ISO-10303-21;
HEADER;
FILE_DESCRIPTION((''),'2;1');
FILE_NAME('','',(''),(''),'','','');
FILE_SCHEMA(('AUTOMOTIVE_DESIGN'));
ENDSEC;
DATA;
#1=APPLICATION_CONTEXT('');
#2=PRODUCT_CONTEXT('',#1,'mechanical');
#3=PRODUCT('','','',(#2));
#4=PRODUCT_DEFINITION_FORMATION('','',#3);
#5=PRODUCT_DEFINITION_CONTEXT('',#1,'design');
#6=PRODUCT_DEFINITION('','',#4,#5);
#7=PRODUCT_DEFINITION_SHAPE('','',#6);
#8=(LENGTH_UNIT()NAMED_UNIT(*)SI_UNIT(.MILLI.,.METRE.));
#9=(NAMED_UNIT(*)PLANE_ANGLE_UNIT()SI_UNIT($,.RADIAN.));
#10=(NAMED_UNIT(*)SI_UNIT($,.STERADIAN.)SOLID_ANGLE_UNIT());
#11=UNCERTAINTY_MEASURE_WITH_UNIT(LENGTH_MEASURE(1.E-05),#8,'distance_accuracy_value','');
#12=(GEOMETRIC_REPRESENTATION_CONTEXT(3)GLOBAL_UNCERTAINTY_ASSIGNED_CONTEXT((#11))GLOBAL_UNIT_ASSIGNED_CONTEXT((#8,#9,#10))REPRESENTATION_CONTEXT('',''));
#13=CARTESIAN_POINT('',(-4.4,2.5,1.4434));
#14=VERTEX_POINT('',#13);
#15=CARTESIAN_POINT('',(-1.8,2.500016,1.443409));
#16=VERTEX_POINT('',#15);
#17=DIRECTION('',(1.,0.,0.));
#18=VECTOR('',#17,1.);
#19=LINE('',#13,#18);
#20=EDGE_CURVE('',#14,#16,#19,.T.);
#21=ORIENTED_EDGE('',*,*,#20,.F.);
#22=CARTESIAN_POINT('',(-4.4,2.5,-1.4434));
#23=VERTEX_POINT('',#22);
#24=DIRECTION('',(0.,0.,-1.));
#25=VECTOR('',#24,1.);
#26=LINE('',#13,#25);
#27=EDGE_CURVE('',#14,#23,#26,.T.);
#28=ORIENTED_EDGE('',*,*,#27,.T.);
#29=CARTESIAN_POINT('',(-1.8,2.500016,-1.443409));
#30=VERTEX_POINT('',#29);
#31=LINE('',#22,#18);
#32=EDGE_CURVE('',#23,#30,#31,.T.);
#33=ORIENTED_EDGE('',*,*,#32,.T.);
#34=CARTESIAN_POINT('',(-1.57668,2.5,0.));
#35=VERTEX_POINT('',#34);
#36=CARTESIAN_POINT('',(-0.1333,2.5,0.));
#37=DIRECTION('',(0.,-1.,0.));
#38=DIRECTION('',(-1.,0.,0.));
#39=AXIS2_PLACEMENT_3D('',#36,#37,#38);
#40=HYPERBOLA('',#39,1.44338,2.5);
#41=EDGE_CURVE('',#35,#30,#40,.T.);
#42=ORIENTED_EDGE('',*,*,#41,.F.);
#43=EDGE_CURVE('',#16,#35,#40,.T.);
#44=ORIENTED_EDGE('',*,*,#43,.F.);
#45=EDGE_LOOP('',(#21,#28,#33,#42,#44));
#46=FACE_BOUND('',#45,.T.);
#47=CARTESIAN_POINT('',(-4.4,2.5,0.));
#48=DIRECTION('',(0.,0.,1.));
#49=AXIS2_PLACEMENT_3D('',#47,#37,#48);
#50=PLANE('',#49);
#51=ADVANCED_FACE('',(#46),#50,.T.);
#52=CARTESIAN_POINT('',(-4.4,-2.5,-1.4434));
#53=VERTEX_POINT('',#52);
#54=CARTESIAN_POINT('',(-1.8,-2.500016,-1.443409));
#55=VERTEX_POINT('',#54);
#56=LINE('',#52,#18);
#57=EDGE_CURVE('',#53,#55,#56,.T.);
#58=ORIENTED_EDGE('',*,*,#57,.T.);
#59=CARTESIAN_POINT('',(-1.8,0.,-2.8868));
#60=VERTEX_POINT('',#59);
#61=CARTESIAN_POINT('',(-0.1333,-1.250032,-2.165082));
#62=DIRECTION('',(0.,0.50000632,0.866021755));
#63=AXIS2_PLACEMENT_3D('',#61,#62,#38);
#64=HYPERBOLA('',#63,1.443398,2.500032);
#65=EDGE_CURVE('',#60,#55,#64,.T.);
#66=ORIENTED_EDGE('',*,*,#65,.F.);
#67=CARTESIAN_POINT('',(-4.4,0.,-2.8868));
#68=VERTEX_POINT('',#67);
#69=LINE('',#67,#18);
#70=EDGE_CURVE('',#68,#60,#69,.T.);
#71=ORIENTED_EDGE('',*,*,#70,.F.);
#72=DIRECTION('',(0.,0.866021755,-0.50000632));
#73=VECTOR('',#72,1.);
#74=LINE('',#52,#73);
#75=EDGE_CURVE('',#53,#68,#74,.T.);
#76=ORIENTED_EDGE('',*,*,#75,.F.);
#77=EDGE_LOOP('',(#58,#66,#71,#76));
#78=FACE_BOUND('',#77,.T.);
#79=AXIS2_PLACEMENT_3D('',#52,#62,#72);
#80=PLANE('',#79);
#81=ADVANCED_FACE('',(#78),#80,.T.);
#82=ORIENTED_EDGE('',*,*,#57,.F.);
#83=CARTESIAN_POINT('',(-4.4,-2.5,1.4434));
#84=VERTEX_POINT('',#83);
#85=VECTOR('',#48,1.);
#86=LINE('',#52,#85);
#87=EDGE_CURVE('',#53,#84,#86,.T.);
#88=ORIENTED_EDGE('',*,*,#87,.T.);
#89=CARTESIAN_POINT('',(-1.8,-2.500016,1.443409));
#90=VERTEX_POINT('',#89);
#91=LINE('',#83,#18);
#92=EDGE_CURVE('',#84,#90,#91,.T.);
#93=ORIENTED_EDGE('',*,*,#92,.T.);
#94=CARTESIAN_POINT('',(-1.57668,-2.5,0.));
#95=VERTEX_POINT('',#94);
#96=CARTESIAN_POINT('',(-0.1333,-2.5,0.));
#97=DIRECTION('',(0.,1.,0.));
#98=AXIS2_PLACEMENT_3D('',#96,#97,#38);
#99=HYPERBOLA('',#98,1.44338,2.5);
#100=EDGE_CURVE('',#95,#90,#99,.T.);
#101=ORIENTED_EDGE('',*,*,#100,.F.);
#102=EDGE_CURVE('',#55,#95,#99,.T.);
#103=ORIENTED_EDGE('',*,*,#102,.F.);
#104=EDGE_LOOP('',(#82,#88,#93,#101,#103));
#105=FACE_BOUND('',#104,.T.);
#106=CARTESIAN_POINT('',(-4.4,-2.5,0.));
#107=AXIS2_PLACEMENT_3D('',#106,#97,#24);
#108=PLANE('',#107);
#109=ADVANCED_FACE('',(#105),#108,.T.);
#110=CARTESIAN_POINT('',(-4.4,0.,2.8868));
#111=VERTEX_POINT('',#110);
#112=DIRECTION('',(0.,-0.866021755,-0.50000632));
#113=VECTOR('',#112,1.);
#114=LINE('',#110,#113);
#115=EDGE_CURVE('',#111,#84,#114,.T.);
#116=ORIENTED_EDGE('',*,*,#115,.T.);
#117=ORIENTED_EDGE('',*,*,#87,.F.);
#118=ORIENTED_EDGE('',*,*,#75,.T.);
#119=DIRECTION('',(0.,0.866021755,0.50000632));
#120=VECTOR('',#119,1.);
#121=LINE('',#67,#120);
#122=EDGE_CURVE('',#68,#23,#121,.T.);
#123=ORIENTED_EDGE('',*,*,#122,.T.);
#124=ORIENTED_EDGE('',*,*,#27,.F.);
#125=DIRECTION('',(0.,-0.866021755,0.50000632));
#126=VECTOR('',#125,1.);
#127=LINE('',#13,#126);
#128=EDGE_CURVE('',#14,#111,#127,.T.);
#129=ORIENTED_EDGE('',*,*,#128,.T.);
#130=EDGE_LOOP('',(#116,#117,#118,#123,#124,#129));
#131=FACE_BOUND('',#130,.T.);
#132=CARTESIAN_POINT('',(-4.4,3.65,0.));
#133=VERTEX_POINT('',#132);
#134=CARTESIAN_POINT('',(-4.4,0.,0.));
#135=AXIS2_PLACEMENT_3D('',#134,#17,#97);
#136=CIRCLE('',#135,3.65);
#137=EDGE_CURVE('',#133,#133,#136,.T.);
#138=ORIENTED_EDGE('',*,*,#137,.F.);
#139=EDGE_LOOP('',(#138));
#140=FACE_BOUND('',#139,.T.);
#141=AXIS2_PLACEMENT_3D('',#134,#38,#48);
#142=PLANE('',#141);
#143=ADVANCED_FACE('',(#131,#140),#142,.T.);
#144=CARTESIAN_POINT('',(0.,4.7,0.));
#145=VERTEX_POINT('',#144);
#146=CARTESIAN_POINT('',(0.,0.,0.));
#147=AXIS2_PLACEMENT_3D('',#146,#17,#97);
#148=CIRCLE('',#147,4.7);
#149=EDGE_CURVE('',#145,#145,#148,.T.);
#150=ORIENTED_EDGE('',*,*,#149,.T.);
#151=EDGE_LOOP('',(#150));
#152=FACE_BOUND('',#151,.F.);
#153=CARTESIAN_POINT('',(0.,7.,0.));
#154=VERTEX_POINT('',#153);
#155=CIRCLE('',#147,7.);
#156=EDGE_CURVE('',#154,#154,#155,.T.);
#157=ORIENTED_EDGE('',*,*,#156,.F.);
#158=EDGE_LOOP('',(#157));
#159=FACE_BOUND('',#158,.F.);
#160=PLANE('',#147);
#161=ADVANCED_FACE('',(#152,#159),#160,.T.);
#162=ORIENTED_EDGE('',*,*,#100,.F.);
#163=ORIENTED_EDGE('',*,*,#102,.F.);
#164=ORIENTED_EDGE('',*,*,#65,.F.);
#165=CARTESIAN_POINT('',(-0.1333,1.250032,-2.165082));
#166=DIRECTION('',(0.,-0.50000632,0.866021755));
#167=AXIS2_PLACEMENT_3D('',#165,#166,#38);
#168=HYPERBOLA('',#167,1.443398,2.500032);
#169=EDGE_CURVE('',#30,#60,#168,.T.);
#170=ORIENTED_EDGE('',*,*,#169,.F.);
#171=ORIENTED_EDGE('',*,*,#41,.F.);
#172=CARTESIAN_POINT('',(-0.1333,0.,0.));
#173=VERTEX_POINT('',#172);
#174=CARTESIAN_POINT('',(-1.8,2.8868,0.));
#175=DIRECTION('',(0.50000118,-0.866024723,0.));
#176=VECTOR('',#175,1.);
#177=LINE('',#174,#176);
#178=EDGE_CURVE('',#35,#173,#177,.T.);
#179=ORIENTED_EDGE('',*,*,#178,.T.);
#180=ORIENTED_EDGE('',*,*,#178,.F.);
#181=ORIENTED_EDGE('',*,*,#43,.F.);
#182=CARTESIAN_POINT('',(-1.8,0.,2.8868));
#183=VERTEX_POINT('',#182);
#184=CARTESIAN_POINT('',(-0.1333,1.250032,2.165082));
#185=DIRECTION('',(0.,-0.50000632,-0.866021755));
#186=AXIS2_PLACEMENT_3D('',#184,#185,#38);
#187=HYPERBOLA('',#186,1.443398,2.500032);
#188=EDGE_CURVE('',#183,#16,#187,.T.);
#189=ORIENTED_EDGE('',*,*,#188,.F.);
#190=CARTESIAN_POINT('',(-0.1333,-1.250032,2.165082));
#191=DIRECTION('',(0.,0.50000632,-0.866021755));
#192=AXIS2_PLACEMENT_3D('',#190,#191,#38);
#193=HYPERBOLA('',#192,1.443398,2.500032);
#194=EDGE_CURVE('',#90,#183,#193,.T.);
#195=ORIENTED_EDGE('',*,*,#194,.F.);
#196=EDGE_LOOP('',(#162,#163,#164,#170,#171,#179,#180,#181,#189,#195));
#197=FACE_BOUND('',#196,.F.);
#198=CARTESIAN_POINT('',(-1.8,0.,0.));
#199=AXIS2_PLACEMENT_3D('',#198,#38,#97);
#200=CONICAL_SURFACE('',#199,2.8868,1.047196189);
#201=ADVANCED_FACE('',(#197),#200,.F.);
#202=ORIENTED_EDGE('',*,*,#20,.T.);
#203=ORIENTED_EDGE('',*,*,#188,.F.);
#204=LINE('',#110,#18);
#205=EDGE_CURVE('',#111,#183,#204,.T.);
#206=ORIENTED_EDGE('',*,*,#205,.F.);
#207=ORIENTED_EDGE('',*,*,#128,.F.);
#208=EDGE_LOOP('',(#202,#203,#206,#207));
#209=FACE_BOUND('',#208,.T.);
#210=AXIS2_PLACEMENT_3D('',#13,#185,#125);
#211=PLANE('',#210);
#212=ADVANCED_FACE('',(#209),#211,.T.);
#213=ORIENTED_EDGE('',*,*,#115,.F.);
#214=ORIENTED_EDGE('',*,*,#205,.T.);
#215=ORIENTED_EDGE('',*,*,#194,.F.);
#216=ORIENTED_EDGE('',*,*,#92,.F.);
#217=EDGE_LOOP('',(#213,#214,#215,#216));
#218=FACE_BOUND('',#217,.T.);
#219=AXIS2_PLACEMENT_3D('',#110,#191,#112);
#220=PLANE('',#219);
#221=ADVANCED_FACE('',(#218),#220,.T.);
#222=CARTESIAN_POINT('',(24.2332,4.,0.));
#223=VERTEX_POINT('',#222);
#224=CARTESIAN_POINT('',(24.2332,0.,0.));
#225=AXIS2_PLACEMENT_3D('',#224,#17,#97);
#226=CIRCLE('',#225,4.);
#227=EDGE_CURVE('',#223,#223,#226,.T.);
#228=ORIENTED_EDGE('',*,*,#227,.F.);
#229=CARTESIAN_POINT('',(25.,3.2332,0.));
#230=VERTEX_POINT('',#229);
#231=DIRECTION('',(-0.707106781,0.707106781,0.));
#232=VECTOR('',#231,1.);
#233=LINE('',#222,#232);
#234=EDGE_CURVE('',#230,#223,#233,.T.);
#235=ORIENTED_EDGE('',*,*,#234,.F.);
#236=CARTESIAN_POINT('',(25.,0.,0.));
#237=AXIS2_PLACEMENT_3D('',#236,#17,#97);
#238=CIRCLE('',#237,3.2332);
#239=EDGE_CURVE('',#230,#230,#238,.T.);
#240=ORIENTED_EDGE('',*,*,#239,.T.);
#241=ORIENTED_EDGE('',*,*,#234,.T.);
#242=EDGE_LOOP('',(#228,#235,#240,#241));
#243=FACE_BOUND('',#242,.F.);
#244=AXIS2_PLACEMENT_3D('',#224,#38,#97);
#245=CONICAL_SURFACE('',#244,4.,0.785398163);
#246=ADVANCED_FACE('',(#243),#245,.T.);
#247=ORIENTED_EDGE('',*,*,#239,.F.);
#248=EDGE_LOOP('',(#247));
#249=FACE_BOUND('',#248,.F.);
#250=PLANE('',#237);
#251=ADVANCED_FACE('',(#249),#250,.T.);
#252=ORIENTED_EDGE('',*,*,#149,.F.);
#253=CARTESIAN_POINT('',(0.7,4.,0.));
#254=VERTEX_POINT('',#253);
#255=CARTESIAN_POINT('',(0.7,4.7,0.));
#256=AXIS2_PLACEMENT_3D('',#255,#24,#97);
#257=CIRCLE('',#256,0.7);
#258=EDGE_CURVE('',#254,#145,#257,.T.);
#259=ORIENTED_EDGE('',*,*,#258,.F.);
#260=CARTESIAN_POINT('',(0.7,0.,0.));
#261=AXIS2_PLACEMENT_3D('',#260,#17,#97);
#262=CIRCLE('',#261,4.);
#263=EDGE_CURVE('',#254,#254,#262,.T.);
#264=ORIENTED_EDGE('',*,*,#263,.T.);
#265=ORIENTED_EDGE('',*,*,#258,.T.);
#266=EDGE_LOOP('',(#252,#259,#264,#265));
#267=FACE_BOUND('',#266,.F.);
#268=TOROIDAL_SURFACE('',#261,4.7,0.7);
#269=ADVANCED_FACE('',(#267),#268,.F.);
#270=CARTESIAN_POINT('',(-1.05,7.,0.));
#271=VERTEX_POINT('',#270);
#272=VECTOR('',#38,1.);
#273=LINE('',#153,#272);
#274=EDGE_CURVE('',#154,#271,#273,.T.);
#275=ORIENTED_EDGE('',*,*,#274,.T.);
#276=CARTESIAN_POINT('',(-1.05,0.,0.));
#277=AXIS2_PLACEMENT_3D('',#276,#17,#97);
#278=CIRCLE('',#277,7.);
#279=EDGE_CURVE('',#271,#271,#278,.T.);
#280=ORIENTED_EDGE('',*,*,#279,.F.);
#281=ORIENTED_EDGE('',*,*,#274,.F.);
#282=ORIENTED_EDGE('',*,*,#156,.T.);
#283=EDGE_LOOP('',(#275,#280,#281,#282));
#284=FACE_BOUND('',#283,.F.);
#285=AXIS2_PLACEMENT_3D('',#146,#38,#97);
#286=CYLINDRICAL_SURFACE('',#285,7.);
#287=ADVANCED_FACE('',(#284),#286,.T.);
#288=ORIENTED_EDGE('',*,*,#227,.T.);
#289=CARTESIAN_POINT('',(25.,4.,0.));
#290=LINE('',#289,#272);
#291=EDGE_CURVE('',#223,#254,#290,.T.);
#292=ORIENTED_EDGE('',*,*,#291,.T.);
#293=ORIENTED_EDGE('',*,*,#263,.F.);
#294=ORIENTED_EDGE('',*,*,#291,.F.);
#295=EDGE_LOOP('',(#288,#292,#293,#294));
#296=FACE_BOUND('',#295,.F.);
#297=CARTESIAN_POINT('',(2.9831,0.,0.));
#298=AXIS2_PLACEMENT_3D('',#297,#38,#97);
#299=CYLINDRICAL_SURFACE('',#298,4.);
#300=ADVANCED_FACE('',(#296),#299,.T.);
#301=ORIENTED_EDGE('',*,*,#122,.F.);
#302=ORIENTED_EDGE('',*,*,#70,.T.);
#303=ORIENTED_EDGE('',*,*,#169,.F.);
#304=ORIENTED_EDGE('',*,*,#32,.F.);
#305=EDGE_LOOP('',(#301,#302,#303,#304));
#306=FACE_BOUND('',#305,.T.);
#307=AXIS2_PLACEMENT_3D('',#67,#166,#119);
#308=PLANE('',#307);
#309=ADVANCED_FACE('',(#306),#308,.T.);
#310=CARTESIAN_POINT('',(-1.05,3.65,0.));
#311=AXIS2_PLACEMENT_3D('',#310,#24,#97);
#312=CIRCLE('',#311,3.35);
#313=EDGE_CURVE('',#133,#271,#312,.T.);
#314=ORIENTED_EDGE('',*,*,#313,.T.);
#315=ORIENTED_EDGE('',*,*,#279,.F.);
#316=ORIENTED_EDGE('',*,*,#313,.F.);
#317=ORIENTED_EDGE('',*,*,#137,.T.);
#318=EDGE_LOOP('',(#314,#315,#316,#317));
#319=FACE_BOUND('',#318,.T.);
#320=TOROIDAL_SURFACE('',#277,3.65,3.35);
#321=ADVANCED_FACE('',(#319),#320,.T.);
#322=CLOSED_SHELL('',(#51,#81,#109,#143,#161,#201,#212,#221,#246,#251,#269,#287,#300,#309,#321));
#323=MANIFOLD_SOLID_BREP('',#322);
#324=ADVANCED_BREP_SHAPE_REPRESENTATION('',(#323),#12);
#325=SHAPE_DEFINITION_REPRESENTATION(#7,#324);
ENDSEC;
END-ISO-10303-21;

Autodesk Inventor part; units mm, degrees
ref_plane "YZ Plane" through (0, 0, 0) normal (1, 0, 0) x (0, 1, 0)
ref_plane "XZ Plane" through (0, 0, 0) normal (0, 1, 0) x (-1, 0, 0)
sketch "Sketch1" plane through (0, 0, 0) normal (0, 0, 1) x (1, 0, 0)
  line L0 (-0.1333, 0) -> (25, 0)
  line L1 (25, 0) -> (25, 4)
  line L2 (25, 4) -> (3.75, 4)
  line L3 (3.75, 4) -> (2.9831, 4)
  line L4 (2.9831, 4) -> (0, 4)
  line L5 (0, 4) -> (0, 7)
  line L6 (0, 7) -> (-4.4, 7)
  line L7 (-4.4, 7) -> (-4.4, 2.8868)
  line L8 (-4.4, 2.8868) -> (-1.8, 2.8868)
  line L9 (-1.8, 2.8868) -> (-0.1333, 0)
  line L10 (-10.28, 0) -> (30.88, 0) projected
  line L11 (0, -1.4) -> (0, 8.4) projected
  line L12 (3.75, 4) -> (0, 4) construction
  dimension "d1" = 21.25
  dimension "d2" = 0.7669
  dimension "d3" = 4.4
  dimension "d4" = 2.6
  dimension "d5" = 60
  dimension "d6" = 8
  dimension "d7" = 8
  dimension "d8" = 5.7735
  dimension "d9" = 14
  dimension "d26" = 25
revolve "Body" add sketch "Sketch1" angle 360 about axis through (-0.1333, 0, 0) along (1, 0, 0)
sketch "Sketch2" plane through (-4.4, 0, 0) normal (-1, 0, 0) x (0, 0, 1)
  circle A0 centre (0, 0) radius 2.8868 projected
  line L0 (0, -9.8) -> (0, 9.8) projected
  line L1 (-9.8, 0) -> (9.8, 0) projected
  line L2 (2.8868, 0) -> (1.4434, -2.5)
  line L3 (1.4434, -2.5) -> (-1.4434, -2.5)
  line L4 (-1.4434, -2.5) -> (-2.8868, 0)
  line L5 (-2.8868, 0) -> (-1.4434, 2.5)
  line L6 (-1.4434, 2.5) -> (1.4434, 2.5)
  line L7 (1.4434, 2.5) -> (2.8868, 0)
extrude "Slot" add sketch "Sketch2" against normal up to next contours L7 A0 | A0 L2 | L6 L0 A0 | A0 L0 L3 | L0 L6 A0 | A0 L3 L0 | L4 A0 | A0 L5
fillet "Fillet1" radius 3.35 1 edges at (-4.4, -7, 0)
thread "Thread" size "M8x1.25" class "6g" standard "ISO Metric profile" length 21.25
chamfer "Chamfer1" distance 0.7668 distance2 0.7668 1 edges at (25, -4, 0) measured on face at (25, -0.6859, 0.8072)
ref_plane "Work Plane1" through (29, 0, 0) normal (0, -1, 0) x (1, 0, 0)
fillet "Fillet2" radius 0.7 1 edges at (0, -4, 0)
equation "\"d1\" = GEL"
equation "\"d3\" = KOH"
equation "\"d4\" = INTI"
equation "\"d6\" = GD"
equation "\"d7\" = BDM"
equation "\"d8\" = 1.1547 * SW"
equation "\"d9\" = KOD"
equation "\"d26\" = NLG"
equation "\"d30\" = R"
equation "\"d17\" = RR"
equation "\"d13\" = GEL"
equation "\"d15\" = -0.5 * SPD + 0.5 * GD"
equation "\"d16\" = GUL"
equation "\"GD\" = NND"
equation "\"NLG\" = 25"
equation "\"GEL\" = 21.25"
equation "\"KOD\" = 14"
equation "\"KOH\" = 4.4"
equation "\"INTI\" = 2.6"
equation "\"GAL\" = 0.61345 * PTC"
equation "\"GUL\" = 0.61345 * PTC"
equation "\"BDM\" = NND"
equation "\"SW\" = 5"
equation "\"RR\" = 3.35"
equation "\"SPD\" = NND - 1.2269 * PTC"
equation "\"R\" = 0.7"
equation "\"TOA\" = 30deg"
equation "\"GD1\" = THREADDIA - 1.2269 * PTC"
equation "\"THREADDIA\" = 8"
equation "\"PTC\" = 1.25"
equation "\"NND\" = 8"
equation "\"KOH1\" = 1.05"
equation "\"E0\" = 5.723"
properties part number "PWTR-0073" material "Stainless Steel"
